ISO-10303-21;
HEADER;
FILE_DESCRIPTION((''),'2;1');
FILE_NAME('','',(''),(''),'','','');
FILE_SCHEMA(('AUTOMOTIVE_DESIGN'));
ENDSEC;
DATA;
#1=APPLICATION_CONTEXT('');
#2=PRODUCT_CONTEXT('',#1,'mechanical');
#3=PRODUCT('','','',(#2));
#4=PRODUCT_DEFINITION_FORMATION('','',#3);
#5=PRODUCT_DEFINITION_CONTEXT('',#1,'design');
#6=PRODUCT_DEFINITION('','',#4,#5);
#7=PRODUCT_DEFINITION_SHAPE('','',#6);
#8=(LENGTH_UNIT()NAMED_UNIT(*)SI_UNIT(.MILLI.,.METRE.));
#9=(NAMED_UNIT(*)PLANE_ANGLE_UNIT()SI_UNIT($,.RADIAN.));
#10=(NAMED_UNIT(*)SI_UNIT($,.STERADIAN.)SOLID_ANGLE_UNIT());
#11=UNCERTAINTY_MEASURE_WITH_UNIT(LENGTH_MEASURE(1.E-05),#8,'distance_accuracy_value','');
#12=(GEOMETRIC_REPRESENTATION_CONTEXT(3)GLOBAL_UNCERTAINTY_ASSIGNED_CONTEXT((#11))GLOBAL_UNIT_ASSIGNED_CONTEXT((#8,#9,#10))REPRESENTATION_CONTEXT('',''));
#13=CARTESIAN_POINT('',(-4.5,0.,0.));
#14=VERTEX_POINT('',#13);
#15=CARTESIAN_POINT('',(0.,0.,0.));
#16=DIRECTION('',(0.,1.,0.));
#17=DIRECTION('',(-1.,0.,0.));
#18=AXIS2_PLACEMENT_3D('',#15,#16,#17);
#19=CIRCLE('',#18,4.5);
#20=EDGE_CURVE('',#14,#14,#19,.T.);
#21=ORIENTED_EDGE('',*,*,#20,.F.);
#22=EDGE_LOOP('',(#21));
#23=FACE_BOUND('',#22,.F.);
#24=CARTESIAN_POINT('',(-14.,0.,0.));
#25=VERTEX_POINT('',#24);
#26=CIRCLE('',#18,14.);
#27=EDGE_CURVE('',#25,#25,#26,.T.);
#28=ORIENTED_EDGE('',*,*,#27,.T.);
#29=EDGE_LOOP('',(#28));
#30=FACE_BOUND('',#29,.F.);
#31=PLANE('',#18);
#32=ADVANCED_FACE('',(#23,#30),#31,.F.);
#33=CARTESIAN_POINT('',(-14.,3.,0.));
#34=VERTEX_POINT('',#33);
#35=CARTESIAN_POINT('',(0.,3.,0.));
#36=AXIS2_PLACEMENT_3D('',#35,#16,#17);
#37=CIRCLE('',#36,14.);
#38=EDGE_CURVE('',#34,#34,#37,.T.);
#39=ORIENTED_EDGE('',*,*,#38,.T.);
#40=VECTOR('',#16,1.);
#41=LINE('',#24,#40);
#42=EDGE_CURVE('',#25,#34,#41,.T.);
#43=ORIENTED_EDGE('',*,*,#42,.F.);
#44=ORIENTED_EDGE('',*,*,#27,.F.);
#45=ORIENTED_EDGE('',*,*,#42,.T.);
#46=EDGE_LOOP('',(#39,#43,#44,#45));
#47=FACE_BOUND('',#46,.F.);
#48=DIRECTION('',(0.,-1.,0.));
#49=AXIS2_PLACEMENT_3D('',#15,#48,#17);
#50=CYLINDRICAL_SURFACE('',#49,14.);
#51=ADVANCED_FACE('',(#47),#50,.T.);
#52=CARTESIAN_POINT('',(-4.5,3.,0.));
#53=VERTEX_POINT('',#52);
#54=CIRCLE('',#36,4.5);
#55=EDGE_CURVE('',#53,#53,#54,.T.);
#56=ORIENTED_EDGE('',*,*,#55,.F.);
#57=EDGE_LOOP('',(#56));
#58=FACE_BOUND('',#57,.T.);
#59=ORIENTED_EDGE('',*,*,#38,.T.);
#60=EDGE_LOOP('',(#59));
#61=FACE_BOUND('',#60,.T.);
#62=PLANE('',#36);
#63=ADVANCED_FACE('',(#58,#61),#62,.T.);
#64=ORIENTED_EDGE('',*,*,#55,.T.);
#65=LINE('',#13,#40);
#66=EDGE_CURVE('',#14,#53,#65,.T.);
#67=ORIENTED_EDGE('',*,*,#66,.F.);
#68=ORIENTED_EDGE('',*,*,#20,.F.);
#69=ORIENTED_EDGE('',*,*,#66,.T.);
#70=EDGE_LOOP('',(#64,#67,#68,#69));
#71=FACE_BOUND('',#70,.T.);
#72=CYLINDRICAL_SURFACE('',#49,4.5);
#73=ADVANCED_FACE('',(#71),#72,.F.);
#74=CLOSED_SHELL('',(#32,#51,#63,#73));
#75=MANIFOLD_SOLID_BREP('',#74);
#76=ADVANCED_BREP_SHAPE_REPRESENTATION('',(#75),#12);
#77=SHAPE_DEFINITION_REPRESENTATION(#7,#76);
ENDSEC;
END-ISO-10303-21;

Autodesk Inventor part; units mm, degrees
ref_plane "YZ Plane" through (0, 0, 0) normal (1, 0, 0) x (0, 1, 0)
ref_plane "XZ Plane" through (0, 0, 0) normal (0, 1, 0) x (-1, 0, 0)
ref_plane "XY Plane" through (0, 0, 0) normal (0, 0, 1) x (1, 0, 0)
sketch "Sketch1" plane through (0, 0, 0) normal (0, 1, 0) x (-1, 0, 0)
  circle A0 centre (0, 0) radius 14
  circle A1 centre (0, 0) radius 4.5
  dimension "d0" = 9
  dimension "d1" = 28
extrude "Extrusion1" add sketch "Sketch1" along normal blind 3
properties part number "washer_m8_wood"
